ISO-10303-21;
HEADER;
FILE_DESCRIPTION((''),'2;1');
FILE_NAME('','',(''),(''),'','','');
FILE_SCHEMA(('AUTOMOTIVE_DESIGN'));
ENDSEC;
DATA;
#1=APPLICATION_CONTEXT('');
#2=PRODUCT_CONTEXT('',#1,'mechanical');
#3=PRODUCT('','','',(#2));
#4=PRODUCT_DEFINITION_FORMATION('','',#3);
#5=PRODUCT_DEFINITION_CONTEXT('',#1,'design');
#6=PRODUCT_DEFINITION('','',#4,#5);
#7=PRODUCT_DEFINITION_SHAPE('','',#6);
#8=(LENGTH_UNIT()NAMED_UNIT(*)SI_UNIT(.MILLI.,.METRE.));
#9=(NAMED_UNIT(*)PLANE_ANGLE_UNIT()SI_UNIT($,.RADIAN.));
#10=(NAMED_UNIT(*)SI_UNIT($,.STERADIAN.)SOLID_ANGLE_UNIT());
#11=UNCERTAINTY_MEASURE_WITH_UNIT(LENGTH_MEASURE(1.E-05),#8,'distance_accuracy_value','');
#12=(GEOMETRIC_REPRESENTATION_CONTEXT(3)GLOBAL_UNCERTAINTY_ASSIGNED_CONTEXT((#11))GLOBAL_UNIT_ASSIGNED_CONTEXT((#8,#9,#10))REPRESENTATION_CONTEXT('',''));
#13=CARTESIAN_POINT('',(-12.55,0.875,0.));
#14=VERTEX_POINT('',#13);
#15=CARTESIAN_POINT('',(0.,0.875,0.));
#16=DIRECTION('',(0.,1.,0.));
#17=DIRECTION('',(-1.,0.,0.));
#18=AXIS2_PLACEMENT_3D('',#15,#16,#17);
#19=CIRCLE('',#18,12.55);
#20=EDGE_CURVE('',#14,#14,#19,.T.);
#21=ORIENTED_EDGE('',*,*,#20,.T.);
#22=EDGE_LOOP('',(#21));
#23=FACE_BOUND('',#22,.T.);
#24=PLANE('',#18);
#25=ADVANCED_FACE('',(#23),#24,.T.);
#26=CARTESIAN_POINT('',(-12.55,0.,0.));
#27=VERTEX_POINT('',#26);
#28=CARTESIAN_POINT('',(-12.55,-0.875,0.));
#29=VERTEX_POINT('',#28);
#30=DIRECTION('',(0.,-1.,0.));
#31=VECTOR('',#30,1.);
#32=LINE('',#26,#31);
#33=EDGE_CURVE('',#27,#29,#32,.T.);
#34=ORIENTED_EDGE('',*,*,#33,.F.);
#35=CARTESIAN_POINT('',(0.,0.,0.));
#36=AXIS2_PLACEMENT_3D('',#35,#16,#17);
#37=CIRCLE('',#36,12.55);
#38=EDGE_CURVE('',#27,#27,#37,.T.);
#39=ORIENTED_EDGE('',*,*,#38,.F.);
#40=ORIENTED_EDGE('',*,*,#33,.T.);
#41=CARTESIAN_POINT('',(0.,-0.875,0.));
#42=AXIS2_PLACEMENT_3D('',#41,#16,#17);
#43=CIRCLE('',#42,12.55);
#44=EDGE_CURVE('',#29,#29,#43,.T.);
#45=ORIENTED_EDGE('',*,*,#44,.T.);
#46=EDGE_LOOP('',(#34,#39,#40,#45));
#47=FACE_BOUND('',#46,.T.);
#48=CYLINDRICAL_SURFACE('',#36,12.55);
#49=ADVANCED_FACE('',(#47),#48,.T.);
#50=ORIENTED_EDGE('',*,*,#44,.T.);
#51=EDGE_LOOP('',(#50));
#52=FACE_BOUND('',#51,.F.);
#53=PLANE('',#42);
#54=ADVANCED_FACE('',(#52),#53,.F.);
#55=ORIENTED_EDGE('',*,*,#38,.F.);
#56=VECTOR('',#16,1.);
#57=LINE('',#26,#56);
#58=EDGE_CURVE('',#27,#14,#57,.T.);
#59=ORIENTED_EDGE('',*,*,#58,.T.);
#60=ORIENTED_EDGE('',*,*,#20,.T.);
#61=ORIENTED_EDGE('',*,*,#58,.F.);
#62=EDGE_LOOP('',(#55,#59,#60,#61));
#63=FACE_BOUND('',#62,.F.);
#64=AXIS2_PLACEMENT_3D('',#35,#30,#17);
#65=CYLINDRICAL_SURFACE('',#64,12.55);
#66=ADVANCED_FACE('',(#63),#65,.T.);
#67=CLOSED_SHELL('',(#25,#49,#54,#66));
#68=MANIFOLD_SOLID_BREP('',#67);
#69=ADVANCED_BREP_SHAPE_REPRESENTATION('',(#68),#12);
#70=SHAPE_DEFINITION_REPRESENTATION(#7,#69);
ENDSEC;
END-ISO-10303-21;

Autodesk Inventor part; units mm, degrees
ref_plane "YZ Plane" through (0, 0, 0) normal (1, 0, 0) x (0, 1, 0)
ref_plane "XZ Plane" through (0, 0, 0) normal (0, 1, 0) x (-1, 0, 0)
ref_plane "XY Plane" through (0, 0, 0) normal (0, 0, 1) x (1, 0, 0)
sketch "Sketch1" plane through (0, 0, 0) normal (0, 1, 0) x (-1, 0, 0)
  circle A0 centre (0, 0) radius 12.55
  dimension "d0" = 25.1
extrude "Extrusion1" add sketch "Sketch1" along normal mid plane 1.75
properties part number "Cardboard_3_Single" material "Paper"
